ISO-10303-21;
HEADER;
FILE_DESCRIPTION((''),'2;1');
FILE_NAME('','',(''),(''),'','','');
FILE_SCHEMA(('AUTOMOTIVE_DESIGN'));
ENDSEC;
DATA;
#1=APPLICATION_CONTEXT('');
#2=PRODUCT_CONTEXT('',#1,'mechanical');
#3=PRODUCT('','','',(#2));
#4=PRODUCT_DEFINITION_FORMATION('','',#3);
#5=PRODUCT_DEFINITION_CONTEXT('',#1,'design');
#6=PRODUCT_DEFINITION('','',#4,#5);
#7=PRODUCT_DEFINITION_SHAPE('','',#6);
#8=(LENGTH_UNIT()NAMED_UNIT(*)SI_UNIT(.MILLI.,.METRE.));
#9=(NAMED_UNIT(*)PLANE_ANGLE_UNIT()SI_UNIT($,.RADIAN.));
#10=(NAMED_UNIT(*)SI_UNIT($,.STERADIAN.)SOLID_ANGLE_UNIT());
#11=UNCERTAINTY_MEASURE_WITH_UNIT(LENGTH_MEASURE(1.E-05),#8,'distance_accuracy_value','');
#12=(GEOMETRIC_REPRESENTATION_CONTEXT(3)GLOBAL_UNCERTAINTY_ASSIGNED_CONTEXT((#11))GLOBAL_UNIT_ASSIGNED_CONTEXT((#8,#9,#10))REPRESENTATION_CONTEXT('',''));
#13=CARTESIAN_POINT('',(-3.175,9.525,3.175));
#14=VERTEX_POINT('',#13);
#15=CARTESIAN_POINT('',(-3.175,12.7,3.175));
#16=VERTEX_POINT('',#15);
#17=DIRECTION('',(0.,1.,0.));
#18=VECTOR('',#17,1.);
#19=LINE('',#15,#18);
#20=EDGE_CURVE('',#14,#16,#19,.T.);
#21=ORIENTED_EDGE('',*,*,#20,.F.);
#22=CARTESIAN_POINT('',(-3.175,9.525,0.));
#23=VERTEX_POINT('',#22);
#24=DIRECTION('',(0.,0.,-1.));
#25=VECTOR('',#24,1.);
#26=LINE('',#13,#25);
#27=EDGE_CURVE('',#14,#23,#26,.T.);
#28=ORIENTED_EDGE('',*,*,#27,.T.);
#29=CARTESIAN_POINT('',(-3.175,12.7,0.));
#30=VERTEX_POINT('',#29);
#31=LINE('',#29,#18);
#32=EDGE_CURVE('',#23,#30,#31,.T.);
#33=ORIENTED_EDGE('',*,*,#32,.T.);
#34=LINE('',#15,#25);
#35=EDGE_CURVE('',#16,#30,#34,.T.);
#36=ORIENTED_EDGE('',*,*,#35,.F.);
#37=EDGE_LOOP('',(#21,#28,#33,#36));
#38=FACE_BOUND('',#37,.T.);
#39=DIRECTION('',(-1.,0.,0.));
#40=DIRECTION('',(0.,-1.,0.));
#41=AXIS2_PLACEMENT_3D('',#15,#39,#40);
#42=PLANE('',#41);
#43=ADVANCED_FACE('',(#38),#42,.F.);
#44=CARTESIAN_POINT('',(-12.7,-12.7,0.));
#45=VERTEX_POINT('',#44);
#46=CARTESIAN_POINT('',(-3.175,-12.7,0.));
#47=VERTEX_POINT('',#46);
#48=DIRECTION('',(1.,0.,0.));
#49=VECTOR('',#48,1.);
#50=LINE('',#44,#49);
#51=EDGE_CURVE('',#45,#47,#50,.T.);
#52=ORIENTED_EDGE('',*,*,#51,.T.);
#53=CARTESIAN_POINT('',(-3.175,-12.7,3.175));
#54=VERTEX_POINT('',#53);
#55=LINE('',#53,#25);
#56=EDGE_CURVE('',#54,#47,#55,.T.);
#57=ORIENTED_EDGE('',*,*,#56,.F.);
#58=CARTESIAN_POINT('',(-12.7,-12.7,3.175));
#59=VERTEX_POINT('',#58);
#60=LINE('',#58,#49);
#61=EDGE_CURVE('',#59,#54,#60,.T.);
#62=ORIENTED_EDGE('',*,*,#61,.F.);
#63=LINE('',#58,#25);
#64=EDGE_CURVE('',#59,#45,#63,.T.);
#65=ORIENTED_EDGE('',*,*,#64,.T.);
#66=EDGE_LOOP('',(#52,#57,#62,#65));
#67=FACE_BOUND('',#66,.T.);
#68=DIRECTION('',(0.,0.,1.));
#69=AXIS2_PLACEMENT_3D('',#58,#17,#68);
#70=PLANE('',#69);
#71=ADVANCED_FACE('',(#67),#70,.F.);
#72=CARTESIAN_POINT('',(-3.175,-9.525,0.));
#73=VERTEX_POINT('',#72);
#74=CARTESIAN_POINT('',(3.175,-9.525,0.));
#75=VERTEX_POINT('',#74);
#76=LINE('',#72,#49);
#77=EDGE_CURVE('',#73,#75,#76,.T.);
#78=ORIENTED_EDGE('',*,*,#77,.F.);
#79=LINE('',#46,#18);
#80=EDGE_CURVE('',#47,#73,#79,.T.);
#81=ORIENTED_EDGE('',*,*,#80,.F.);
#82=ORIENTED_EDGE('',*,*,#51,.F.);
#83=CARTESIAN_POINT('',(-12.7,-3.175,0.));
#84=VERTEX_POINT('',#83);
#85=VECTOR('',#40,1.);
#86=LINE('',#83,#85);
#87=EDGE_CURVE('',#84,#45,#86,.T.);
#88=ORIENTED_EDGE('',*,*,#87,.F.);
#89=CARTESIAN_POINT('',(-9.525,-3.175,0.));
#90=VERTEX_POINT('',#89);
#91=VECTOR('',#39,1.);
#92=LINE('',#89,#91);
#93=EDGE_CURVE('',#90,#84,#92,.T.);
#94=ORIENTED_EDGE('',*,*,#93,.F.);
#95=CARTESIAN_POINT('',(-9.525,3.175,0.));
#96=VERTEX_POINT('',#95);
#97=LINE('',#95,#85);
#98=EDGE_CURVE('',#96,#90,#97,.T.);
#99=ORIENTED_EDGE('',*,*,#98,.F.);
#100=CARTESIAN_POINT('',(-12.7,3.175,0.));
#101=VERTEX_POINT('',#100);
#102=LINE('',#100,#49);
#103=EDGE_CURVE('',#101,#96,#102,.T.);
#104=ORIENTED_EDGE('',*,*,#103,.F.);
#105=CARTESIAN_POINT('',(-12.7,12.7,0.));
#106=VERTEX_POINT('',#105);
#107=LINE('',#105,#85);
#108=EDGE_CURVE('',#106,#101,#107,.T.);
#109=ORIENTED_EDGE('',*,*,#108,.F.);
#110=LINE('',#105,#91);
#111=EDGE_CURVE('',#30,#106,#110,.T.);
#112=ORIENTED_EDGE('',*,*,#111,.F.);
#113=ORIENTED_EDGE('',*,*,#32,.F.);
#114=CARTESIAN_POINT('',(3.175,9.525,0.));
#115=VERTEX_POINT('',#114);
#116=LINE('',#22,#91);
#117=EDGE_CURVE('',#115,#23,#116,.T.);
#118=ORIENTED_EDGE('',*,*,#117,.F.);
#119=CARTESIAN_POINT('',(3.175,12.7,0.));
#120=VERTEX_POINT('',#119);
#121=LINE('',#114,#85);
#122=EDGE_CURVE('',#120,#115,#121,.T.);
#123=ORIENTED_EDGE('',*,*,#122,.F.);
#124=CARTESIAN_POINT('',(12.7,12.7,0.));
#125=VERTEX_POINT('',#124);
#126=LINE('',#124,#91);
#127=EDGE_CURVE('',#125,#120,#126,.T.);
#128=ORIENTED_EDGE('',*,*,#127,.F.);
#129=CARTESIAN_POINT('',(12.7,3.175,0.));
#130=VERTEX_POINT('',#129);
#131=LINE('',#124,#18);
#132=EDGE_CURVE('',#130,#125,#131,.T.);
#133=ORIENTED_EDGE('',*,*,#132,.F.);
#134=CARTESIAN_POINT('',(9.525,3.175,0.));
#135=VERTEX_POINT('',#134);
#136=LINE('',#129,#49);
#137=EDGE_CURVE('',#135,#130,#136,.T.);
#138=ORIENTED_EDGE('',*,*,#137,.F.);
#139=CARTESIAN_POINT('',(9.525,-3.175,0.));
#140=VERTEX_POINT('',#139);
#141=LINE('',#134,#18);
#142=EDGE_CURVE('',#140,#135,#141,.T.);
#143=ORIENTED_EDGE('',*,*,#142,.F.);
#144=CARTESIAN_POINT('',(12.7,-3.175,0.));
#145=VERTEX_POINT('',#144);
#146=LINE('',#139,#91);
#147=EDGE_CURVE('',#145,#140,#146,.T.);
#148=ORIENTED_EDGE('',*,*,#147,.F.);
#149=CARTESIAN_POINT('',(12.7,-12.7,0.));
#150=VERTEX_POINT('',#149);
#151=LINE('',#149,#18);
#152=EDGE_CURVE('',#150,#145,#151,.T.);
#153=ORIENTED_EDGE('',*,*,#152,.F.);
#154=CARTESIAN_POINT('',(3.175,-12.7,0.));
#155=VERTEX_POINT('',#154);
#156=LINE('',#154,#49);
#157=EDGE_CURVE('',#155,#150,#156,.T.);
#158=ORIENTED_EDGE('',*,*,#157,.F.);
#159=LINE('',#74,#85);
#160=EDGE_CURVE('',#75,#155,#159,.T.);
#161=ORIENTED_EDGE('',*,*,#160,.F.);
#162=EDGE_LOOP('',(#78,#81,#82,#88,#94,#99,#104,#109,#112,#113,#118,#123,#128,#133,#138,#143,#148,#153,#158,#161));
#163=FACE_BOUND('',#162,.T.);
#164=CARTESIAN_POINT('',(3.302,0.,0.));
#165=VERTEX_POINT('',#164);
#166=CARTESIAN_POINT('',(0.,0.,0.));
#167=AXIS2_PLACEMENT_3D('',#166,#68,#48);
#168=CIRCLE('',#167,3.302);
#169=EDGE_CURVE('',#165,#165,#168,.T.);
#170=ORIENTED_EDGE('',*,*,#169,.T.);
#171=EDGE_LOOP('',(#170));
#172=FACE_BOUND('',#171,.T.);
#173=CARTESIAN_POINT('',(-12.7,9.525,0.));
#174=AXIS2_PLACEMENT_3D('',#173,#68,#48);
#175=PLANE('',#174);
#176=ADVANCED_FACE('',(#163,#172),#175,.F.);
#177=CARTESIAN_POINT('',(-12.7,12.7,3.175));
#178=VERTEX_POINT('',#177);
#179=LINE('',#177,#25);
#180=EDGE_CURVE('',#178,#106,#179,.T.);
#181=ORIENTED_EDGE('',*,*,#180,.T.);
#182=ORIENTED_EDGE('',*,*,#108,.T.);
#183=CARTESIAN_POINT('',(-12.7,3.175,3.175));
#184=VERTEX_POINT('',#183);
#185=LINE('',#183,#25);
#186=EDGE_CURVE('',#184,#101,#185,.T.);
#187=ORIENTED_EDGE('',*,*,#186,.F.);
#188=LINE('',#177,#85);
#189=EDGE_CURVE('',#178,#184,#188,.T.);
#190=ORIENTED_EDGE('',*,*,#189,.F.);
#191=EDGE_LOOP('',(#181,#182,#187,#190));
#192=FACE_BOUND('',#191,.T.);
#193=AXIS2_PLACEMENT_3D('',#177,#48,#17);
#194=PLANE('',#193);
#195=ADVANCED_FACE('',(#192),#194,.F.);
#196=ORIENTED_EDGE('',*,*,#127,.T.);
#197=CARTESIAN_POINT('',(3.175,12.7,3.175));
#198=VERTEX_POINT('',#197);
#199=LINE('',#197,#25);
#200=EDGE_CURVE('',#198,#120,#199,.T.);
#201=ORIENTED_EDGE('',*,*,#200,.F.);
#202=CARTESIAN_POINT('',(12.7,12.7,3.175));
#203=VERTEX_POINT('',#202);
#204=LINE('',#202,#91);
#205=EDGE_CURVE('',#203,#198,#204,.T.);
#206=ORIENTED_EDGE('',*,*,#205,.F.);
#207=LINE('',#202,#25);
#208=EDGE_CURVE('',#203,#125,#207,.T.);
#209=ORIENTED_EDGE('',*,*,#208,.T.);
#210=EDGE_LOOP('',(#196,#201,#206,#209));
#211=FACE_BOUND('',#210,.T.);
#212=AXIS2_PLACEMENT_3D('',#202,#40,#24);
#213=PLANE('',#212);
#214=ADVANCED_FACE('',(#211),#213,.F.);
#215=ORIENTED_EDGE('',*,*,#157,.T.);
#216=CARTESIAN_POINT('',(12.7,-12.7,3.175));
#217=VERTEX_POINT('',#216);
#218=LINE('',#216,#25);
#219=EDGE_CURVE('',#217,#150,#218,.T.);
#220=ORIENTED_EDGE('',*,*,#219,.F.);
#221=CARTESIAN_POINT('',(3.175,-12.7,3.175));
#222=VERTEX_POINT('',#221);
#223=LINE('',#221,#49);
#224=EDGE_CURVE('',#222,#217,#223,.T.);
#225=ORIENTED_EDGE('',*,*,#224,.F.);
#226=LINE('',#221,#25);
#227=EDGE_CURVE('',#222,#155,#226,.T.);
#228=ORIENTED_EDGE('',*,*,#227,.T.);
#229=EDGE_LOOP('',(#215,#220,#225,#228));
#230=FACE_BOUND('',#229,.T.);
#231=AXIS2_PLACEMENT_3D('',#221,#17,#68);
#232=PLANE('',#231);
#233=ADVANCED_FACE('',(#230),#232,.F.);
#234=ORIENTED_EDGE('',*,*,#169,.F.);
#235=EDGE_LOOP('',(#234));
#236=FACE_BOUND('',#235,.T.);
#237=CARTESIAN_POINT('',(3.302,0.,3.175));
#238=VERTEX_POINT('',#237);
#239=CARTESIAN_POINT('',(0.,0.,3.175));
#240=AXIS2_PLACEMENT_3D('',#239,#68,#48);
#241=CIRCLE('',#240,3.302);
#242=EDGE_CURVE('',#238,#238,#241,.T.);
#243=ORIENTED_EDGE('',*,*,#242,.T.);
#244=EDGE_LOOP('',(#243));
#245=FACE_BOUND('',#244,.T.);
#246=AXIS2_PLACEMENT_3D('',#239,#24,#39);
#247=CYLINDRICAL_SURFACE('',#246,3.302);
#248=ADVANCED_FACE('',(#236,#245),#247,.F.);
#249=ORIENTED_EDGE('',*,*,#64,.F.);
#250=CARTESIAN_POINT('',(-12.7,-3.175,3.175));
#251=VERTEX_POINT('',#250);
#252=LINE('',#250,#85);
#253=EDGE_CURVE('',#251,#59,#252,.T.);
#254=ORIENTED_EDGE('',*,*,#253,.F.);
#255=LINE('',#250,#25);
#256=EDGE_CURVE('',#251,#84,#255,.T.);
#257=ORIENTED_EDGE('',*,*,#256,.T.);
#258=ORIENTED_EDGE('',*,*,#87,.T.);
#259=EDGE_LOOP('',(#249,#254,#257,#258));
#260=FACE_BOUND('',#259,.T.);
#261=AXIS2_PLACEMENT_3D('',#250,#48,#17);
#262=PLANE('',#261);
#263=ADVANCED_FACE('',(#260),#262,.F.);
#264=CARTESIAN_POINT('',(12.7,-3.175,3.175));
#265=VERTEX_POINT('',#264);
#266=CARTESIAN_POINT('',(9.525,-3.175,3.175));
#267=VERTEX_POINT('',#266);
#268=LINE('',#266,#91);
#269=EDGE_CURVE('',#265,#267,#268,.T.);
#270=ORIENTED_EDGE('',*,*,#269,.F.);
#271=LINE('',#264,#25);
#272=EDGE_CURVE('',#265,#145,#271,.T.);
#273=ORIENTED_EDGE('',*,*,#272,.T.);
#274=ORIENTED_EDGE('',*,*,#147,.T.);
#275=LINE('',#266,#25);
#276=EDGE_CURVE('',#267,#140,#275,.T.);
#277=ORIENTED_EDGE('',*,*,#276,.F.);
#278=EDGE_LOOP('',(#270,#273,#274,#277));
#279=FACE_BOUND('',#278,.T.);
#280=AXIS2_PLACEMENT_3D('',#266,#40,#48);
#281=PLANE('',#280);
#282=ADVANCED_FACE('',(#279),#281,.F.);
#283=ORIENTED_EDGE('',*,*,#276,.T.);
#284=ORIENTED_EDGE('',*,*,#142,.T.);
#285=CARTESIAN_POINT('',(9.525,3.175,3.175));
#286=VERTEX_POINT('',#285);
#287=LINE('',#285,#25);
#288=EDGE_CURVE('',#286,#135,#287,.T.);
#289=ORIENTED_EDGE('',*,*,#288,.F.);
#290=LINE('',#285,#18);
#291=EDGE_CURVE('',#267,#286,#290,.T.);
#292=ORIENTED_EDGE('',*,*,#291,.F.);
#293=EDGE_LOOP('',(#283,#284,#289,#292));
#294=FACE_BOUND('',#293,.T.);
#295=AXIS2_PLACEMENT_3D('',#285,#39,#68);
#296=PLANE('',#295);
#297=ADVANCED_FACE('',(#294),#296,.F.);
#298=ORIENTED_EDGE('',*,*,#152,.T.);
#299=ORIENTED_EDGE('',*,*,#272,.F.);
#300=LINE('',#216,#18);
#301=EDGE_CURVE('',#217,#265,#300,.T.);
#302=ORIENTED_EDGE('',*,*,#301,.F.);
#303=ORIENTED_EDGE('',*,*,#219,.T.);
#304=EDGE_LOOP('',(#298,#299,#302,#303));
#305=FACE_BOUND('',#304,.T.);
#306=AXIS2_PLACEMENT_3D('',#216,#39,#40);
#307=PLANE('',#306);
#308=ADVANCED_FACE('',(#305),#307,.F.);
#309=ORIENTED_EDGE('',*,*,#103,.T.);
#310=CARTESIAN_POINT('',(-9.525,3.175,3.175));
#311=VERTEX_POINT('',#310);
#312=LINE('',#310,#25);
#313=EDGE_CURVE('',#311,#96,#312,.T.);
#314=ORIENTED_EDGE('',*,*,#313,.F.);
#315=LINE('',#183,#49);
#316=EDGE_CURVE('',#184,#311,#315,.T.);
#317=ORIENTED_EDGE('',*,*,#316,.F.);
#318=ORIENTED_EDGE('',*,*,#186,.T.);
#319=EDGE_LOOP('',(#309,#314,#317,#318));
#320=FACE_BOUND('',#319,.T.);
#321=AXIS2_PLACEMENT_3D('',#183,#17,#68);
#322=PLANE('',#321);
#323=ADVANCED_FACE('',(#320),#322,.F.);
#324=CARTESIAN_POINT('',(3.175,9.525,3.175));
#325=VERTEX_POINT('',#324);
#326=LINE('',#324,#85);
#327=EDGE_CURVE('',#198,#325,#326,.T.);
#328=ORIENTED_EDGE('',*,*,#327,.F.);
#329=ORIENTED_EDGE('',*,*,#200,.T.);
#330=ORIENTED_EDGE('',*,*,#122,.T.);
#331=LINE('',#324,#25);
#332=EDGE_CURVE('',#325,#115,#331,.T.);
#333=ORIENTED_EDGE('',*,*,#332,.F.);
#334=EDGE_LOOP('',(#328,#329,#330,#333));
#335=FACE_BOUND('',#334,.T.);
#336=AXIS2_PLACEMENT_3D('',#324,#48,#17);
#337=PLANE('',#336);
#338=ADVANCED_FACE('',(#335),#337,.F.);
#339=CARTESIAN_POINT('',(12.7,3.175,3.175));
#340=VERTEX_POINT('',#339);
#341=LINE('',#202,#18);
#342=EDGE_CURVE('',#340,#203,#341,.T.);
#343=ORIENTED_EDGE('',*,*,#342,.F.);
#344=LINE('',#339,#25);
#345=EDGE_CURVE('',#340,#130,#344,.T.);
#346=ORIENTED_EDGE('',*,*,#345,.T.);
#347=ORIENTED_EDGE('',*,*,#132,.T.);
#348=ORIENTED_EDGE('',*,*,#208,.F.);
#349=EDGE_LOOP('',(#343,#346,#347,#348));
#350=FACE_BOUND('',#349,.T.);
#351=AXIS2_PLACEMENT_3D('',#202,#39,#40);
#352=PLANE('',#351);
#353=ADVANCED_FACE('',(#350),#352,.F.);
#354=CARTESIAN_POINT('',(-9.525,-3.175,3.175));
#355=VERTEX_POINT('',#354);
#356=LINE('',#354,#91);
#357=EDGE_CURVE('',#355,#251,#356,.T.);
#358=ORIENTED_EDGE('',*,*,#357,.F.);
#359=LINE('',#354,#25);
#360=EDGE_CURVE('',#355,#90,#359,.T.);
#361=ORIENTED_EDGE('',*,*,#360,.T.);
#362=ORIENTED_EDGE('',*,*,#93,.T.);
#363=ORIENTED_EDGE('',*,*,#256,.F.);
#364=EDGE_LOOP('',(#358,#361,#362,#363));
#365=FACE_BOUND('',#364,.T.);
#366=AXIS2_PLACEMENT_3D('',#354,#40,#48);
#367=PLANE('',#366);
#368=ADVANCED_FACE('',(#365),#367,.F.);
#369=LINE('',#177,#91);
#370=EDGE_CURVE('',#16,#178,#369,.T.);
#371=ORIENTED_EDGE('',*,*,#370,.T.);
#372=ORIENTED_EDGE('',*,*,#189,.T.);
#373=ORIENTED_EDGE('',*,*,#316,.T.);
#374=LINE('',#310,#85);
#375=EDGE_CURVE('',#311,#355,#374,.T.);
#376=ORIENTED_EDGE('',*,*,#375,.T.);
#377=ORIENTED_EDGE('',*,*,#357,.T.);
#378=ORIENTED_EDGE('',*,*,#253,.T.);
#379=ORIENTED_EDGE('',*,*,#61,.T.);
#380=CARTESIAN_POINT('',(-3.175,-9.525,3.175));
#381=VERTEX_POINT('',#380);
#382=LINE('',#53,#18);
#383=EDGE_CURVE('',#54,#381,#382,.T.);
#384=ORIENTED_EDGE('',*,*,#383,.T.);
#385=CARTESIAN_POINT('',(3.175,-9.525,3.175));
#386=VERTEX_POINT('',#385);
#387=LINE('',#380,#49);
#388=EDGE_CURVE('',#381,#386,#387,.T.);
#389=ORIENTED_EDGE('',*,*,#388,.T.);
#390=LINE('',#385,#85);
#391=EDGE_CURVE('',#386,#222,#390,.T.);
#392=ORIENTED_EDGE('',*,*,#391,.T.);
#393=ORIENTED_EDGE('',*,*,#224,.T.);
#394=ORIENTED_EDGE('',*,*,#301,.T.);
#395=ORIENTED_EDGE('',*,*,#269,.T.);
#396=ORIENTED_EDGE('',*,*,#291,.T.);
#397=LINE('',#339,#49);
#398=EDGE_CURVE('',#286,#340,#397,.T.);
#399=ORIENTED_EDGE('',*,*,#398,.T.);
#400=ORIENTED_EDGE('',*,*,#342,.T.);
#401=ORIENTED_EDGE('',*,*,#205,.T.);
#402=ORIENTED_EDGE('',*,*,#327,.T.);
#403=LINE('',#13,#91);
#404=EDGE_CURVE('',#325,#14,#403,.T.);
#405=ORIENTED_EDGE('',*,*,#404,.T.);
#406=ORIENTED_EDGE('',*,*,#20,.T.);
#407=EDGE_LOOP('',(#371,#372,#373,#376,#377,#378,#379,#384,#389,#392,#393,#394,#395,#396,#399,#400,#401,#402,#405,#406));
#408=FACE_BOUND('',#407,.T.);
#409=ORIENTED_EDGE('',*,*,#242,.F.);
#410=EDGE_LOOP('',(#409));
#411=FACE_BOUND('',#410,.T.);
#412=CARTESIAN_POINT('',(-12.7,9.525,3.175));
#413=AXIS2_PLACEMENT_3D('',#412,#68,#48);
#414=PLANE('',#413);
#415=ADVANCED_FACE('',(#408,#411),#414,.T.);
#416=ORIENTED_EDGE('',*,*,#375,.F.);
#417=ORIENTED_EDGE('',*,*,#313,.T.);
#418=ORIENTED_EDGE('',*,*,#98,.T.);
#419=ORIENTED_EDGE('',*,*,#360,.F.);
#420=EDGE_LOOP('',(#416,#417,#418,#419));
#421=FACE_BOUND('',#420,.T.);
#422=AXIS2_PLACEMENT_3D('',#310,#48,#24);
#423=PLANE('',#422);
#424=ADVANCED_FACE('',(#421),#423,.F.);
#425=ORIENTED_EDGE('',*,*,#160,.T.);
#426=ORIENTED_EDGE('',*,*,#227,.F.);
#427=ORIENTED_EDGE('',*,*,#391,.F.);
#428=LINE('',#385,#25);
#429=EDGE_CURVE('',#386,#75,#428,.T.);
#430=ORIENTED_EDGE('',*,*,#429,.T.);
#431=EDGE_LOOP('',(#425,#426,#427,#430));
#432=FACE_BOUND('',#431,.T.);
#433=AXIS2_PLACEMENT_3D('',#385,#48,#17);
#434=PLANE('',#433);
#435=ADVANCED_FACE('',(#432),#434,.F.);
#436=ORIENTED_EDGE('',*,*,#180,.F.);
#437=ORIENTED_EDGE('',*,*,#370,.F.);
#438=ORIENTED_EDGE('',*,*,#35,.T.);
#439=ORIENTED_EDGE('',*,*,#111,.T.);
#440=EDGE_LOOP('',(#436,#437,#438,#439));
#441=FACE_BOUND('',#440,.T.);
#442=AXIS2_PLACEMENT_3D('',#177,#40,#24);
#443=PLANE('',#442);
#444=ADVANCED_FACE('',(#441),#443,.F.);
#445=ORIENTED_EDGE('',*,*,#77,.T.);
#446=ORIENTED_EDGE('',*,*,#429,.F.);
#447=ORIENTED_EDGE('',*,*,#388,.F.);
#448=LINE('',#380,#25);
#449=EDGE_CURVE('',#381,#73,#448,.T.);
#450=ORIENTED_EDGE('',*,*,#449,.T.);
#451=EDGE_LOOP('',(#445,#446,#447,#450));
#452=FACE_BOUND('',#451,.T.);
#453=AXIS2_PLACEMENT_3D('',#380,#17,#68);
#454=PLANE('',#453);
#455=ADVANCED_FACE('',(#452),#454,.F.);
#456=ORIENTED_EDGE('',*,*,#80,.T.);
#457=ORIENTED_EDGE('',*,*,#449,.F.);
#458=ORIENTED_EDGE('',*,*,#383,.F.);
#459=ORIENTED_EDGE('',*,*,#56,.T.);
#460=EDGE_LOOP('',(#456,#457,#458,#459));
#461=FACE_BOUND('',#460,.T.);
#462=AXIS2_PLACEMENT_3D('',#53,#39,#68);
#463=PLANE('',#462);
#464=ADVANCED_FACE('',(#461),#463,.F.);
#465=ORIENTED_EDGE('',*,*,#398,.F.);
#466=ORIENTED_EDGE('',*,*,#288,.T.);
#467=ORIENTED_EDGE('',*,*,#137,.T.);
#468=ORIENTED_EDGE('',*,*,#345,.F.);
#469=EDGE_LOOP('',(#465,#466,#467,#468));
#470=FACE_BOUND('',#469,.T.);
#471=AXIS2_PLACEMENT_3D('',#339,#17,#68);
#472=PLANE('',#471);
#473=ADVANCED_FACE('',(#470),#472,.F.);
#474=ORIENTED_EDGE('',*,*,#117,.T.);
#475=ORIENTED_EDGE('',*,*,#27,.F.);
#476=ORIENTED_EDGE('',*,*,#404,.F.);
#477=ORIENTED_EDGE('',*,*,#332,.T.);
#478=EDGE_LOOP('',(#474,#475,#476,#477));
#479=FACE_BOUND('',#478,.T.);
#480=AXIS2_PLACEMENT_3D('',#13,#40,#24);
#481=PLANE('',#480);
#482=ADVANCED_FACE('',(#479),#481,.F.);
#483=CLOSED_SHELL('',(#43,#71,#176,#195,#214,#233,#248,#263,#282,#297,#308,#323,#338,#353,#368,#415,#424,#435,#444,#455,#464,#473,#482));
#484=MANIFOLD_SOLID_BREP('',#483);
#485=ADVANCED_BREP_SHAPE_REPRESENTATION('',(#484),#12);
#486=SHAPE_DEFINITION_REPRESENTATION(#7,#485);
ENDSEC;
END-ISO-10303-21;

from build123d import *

# Parameters (mm, degrees)
SKETCH1_R      = 3.302
EXTRUDE1_DEPTH = 3.175


with BuildPart() as part:
    # Sketch1 → Extrude1 (new body)
    with BuildSketch(Plane.XY):
        Polygon((-12.7, 12.7), (-3.175, 12.7), (-3.175, 9.525), (3.175, 9.525), (3.175, 12.7), (12.7, 12.7), (12.7, 3.175), (9.525, 3.175), (9.525, -3.175), (12.7, -3.175), (12.7, -12.7), (3.175, -12.7), (3.175, -9.525), (-3.175, -9.525), (-3.175, -12.7), (-12.7, -12.7), (-12.7, -3.175), (-9.525, -3.175), (-9.525, 3.175), (-12.7, 3.175), align=None)
        Circle(SKETCH1_R, mode=Mode.SUBTRACT)
    extrude(amount=EXTRUDE1_DEPTH)


solid = part.part
